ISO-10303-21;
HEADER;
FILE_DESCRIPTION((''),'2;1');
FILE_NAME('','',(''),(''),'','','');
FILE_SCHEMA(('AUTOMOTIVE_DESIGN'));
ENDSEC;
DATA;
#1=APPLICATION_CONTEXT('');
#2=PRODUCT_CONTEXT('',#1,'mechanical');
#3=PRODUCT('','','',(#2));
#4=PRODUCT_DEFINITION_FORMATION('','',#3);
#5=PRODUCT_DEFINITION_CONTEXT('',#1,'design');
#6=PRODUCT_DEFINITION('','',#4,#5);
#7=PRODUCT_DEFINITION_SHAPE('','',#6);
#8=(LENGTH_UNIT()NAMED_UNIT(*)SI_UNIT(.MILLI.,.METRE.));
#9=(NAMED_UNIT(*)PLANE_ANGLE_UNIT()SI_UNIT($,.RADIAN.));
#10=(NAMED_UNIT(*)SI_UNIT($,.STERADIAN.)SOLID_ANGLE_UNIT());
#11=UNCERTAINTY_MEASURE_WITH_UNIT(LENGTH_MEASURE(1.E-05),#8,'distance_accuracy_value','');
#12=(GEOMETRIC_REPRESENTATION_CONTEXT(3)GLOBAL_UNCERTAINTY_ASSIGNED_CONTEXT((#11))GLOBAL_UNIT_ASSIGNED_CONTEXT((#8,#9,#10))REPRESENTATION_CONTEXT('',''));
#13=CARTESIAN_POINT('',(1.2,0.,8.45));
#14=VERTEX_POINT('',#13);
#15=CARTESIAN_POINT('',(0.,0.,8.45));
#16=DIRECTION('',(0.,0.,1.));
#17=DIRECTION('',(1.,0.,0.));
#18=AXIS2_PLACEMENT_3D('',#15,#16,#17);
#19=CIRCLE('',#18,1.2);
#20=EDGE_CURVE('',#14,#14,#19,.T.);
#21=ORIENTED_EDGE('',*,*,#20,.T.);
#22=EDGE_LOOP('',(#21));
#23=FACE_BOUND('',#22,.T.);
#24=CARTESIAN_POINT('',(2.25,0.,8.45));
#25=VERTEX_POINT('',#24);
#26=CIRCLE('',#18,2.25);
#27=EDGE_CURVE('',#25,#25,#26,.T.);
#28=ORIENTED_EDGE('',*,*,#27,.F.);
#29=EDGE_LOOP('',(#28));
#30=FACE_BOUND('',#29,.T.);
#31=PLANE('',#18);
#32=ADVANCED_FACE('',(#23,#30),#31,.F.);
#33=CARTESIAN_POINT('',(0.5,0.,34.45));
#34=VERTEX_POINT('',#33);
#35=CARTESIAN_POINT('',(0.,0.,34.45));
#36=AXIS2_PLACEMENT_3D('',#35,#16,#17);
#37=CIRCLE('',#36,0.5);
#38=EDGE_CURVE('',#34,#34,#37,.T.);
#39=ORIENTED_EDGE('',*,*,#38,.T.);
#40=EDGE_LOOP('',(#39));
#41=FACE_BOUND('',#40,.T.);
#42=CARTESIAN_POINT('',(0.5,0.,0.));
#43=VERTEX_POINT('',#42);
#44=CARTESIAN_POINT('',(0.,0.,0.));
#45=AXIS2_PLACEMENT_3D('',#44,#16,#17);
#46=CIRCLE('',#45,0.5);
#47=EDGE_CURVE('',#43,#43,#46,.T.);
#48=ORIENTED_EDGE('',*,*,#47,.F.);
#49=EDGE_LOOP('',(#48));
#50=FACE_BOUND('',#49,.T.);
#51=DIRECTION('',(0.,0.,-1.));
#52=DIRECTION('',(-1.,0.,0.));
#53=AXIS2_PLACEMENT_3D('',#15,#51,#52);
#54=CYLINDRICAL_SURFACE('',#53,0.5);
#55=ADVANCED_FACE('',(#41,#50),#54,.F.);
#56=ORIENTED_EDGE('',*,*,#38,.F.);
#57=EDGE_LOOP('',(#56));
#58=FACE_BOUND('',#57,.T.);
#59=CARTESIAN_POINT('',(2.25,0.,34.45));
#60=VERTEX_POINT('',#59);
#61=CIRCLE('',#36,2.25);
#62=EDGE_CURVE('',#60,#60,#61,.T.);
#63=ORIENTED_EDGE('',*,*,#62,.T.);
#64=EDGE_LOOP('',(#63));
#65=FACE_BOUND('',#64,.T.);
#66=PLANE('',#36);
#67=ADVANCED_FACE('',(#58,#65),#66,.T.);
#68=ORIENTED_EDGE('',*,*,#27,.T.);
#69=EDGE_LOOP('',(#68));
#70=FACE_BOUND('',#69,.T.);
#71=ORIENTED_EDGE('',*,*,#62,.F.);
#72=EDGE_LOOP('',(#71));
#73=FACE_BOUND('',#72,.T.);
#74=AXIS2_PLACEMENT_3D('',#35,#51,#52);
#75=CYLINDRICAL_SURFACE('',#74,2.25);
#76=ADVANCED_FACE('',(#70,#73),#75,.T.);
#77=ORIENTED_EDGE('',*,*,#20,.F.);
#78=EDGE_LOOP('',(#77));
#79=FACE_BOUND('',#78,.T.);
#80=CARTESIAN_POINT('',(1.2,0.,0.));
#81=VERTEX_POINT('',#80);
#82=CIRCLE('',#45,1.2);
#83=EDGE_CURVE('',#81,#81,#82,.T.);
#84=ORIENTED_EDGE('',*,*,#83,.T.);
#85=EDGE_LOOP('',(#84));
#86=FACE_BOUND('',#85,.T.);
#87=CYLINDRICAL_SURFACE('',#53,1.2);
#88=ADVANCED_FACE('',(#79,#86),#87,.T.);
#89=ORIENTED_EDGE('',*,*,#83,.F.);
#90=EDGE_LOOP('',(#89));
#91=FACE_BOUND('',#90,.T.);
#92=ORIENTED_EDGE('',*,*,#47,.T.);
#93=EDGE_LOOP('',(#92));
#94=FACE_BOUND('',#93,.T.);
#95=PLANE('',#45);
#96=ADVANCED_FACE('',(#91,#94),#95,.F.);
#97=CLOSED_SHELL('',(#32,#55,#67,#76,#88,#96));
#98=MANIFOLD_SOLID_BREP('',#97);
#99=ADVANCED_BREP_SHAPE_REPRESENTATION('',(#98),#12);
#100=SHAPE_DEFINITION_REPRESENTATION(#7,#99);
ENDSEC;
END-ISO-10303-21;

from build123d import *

# Parameters (mm, degrees)
SKETCH1_R           = 1.2
SKETCH1_R_2         = 0.5
BOSS_EXTRUDE1_DEPTH = 8.45
SKETCH2_R           = 2.25
SKETCH2_R_2         = 0.5
BOSS_EXTRUDE2_DEPTH = 26


with BuildPart() as part:
    # Sketch1 → Boss-Extrude1 (new body)
    with BuildSketch(Plane.XY):
        Circle(SKETCH1_R)
        Circle(SKETCH1_R_2, mode=Mode.SUBTRACT)
    extrude(amount=BOSS_EXTRUDE1_DEPTH)

    # Sketch2 → Boss-Extrude2 (add)
    with BuildSketch(Plane.XY.offset(8.45)):
        Circle(SKETCH2_R)
        Circle(SKETCH2_R_2, mode=Mode.SUBTRACT)
    extrude(amount=BOSS_EXTRUDE2_DEPTH)


solid = part.part
